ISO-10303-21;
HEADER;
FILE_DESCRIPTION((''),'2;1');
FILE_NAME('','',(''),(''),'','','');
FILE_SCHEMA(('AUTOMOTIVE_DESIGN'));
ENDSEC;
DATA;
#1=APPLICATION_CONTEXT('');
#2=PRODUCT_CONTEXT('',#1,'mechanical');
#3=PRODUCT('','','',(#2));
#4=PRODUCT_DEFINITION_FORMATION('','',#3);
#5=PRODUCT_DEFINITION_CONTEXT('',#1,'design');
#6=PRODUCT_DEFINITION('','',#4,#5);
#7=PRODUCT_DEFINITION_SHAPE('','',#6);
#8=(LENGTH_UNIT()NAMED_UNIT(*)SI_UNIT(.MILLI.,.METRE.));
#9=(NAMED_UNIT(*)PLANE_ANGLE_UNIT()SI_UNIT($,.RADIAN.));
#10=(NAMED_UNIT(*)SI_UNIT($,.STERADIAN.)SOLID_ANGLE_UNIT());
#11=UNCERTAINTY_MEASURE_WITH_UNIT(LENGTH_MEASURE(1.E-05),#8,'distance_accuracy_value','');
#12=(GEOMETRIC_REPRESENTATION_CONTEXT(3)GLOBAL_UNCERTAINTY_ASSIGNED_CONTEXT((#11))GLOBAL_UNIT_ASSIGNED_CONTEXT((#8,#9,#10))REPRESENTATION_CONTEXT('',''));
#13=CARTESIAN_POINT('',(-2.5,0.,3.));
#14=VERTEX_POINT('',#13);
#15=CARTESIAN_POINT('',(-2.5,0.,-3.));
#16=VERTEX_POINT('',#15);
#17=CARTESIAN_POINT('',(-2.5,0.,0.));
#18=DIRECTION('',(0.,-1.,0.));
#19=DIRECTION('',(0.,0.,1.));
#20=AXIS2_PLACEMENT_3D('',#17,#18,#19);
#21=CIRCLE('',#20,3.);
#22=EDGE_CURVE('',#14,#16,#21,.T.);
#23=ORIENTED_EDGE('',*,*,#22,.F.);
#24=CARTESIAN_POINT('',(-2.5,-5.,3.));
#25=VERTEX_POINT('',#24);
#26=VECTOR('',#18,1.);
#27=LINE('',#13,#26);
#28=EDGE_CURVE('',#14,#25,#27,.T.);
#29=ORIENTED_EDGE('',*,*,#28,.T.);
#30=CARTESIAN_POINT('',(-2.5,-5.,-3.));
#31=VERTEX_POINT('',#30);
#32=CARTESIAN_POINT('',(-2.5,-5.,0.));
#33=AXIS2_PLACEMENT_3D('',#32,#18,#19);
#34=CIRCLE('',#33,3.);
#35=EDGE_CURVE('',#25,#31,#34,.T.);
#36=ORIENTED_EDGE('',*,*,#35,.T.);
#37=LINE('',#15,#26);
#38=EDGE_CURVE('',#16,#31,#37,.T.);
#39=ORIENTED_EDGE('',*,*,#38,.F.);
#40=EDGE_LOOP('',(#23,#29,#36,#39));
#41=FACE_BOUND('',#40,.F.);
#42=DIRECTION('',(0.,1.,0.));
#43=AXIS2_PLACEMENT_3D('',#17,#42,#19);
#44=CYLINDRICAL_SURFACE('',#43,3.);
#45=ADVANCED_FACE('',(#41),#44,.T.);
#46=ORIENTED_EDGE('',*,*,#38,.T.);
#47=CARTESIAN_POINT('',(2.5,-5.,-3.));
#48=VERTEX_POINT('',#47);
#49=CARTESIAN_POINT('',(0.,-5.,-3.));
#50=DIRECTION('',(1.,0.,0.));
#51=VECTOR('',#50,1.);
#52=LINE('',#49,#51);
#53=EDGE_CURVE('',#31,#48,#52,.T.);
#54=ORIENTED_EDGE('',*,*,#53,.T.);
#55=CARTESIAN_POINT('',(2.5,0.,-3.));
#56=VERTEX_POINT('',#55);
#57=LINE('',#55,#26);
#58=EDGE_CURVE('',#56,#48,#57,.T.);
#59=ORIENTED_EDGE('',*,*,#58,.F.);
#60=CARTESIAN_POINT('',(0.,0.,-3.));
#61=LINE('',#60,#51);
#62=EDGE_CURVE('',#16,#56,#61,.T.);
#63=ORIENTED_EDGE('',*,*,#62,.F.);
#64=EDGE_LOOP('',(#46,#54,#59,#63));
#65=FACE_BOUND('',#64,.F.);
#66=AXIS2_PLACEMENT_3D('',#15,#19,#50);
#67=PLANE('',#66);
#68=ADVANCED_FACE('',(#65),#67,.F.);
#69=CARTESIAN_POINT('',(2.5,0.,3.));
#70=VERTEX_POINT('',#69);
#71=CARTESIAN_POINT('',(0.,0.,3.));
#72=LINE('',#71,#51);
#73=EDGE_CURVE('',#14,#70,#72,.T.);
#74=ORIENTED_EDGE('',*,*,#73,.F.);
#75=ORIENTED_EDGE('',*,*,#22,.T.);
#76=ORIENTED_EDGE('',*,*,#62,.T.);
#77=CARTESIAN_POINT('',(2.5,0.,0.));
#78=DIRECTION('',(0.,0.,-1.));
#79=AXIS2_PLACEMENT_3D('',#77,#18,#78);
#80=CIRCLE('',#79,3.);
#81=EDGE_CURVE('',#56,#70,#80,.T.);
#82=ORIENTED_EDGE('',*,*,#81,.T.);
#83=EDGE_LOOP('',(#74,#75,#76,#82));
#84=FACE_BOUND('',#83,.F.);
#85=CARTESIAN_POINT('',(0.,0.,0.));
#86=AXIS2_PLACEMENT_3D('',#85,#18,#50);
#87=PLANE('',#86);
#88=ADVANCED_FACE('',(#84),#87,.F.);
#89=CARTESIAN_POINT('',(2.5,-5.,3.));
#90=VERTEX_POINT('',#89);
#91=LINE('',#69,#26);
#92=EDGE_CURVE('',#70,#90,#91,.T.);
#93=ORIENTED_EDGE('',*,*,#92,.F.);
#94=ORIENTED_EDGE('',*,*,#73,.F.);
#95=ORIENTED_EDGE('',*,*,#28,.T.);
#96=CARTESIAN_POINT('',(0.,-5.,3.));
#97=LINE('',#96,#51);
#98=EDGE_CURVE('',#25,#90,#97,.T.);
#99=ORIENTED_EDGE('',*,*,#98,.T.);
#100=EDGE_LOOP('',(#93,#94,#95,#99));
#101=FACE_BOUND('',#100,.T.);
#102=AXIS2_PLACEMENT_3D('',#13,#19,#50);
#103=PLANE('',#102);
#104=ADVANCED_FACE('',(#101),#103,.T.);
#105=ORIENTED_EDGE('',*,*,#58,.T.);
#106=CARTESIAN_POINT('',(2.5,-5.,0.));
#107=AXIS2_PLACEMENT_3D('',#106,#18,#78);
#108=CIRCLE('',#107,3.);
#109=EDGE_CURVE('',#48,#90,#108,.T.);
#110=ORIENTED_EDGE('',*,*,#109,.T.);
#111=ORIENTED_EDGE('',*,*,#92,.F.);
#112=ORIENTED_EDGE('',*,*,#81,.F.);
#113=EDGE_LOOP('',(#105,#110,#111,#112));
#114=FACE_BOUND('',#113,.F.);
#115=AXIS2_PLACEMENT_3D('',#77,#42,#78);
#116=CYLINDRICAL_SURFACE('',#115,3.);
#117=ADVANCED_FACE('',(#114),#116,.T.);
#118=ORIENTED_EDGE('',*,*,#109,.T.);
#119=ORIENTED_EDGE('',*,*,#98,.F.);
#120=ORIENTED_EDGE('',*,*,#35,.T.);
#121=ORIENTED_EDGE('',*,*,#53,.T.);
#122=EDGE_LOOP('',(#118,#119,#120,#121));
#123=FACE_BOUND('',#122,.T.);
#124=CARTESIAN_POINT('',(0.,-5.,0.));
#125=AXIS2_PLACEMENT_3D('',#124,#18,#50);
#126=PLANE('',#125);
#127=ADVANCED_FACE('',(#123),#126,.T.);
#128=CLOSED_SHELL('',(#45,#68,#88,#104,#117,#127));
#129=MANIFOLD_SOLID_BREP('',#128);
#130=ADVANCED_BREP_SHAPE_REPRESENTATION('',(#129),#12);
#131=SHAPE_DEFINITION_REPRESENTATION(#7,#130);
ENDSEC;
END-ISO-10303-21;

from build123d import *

# Parameters (mm, degrees)
F0_W     = 5
F0_H     = 6
F1_DEPTH = 5


with BuildPart() as f1:
    # F0 (on Front) → F1 (new body)
    with BuildSketch(Plane.XZ):
        Rectangle(F0_W, F0_H)
        with BuildLine():
            ThreePointArc((2.5, -3), (5.5, 0), (2.5, 3))
            Line((2.5, 3), (2.5, -3))
        make_face()
        with BuildLine():
            Line((-2.5, -3), (-2.5, 3))
            ThreePointArc((-2.5, 3), (-5.5, 0), (-2.5, -3))
        make_face()
    extrude(amount=F1_DEPTH)


solid = f1.part
